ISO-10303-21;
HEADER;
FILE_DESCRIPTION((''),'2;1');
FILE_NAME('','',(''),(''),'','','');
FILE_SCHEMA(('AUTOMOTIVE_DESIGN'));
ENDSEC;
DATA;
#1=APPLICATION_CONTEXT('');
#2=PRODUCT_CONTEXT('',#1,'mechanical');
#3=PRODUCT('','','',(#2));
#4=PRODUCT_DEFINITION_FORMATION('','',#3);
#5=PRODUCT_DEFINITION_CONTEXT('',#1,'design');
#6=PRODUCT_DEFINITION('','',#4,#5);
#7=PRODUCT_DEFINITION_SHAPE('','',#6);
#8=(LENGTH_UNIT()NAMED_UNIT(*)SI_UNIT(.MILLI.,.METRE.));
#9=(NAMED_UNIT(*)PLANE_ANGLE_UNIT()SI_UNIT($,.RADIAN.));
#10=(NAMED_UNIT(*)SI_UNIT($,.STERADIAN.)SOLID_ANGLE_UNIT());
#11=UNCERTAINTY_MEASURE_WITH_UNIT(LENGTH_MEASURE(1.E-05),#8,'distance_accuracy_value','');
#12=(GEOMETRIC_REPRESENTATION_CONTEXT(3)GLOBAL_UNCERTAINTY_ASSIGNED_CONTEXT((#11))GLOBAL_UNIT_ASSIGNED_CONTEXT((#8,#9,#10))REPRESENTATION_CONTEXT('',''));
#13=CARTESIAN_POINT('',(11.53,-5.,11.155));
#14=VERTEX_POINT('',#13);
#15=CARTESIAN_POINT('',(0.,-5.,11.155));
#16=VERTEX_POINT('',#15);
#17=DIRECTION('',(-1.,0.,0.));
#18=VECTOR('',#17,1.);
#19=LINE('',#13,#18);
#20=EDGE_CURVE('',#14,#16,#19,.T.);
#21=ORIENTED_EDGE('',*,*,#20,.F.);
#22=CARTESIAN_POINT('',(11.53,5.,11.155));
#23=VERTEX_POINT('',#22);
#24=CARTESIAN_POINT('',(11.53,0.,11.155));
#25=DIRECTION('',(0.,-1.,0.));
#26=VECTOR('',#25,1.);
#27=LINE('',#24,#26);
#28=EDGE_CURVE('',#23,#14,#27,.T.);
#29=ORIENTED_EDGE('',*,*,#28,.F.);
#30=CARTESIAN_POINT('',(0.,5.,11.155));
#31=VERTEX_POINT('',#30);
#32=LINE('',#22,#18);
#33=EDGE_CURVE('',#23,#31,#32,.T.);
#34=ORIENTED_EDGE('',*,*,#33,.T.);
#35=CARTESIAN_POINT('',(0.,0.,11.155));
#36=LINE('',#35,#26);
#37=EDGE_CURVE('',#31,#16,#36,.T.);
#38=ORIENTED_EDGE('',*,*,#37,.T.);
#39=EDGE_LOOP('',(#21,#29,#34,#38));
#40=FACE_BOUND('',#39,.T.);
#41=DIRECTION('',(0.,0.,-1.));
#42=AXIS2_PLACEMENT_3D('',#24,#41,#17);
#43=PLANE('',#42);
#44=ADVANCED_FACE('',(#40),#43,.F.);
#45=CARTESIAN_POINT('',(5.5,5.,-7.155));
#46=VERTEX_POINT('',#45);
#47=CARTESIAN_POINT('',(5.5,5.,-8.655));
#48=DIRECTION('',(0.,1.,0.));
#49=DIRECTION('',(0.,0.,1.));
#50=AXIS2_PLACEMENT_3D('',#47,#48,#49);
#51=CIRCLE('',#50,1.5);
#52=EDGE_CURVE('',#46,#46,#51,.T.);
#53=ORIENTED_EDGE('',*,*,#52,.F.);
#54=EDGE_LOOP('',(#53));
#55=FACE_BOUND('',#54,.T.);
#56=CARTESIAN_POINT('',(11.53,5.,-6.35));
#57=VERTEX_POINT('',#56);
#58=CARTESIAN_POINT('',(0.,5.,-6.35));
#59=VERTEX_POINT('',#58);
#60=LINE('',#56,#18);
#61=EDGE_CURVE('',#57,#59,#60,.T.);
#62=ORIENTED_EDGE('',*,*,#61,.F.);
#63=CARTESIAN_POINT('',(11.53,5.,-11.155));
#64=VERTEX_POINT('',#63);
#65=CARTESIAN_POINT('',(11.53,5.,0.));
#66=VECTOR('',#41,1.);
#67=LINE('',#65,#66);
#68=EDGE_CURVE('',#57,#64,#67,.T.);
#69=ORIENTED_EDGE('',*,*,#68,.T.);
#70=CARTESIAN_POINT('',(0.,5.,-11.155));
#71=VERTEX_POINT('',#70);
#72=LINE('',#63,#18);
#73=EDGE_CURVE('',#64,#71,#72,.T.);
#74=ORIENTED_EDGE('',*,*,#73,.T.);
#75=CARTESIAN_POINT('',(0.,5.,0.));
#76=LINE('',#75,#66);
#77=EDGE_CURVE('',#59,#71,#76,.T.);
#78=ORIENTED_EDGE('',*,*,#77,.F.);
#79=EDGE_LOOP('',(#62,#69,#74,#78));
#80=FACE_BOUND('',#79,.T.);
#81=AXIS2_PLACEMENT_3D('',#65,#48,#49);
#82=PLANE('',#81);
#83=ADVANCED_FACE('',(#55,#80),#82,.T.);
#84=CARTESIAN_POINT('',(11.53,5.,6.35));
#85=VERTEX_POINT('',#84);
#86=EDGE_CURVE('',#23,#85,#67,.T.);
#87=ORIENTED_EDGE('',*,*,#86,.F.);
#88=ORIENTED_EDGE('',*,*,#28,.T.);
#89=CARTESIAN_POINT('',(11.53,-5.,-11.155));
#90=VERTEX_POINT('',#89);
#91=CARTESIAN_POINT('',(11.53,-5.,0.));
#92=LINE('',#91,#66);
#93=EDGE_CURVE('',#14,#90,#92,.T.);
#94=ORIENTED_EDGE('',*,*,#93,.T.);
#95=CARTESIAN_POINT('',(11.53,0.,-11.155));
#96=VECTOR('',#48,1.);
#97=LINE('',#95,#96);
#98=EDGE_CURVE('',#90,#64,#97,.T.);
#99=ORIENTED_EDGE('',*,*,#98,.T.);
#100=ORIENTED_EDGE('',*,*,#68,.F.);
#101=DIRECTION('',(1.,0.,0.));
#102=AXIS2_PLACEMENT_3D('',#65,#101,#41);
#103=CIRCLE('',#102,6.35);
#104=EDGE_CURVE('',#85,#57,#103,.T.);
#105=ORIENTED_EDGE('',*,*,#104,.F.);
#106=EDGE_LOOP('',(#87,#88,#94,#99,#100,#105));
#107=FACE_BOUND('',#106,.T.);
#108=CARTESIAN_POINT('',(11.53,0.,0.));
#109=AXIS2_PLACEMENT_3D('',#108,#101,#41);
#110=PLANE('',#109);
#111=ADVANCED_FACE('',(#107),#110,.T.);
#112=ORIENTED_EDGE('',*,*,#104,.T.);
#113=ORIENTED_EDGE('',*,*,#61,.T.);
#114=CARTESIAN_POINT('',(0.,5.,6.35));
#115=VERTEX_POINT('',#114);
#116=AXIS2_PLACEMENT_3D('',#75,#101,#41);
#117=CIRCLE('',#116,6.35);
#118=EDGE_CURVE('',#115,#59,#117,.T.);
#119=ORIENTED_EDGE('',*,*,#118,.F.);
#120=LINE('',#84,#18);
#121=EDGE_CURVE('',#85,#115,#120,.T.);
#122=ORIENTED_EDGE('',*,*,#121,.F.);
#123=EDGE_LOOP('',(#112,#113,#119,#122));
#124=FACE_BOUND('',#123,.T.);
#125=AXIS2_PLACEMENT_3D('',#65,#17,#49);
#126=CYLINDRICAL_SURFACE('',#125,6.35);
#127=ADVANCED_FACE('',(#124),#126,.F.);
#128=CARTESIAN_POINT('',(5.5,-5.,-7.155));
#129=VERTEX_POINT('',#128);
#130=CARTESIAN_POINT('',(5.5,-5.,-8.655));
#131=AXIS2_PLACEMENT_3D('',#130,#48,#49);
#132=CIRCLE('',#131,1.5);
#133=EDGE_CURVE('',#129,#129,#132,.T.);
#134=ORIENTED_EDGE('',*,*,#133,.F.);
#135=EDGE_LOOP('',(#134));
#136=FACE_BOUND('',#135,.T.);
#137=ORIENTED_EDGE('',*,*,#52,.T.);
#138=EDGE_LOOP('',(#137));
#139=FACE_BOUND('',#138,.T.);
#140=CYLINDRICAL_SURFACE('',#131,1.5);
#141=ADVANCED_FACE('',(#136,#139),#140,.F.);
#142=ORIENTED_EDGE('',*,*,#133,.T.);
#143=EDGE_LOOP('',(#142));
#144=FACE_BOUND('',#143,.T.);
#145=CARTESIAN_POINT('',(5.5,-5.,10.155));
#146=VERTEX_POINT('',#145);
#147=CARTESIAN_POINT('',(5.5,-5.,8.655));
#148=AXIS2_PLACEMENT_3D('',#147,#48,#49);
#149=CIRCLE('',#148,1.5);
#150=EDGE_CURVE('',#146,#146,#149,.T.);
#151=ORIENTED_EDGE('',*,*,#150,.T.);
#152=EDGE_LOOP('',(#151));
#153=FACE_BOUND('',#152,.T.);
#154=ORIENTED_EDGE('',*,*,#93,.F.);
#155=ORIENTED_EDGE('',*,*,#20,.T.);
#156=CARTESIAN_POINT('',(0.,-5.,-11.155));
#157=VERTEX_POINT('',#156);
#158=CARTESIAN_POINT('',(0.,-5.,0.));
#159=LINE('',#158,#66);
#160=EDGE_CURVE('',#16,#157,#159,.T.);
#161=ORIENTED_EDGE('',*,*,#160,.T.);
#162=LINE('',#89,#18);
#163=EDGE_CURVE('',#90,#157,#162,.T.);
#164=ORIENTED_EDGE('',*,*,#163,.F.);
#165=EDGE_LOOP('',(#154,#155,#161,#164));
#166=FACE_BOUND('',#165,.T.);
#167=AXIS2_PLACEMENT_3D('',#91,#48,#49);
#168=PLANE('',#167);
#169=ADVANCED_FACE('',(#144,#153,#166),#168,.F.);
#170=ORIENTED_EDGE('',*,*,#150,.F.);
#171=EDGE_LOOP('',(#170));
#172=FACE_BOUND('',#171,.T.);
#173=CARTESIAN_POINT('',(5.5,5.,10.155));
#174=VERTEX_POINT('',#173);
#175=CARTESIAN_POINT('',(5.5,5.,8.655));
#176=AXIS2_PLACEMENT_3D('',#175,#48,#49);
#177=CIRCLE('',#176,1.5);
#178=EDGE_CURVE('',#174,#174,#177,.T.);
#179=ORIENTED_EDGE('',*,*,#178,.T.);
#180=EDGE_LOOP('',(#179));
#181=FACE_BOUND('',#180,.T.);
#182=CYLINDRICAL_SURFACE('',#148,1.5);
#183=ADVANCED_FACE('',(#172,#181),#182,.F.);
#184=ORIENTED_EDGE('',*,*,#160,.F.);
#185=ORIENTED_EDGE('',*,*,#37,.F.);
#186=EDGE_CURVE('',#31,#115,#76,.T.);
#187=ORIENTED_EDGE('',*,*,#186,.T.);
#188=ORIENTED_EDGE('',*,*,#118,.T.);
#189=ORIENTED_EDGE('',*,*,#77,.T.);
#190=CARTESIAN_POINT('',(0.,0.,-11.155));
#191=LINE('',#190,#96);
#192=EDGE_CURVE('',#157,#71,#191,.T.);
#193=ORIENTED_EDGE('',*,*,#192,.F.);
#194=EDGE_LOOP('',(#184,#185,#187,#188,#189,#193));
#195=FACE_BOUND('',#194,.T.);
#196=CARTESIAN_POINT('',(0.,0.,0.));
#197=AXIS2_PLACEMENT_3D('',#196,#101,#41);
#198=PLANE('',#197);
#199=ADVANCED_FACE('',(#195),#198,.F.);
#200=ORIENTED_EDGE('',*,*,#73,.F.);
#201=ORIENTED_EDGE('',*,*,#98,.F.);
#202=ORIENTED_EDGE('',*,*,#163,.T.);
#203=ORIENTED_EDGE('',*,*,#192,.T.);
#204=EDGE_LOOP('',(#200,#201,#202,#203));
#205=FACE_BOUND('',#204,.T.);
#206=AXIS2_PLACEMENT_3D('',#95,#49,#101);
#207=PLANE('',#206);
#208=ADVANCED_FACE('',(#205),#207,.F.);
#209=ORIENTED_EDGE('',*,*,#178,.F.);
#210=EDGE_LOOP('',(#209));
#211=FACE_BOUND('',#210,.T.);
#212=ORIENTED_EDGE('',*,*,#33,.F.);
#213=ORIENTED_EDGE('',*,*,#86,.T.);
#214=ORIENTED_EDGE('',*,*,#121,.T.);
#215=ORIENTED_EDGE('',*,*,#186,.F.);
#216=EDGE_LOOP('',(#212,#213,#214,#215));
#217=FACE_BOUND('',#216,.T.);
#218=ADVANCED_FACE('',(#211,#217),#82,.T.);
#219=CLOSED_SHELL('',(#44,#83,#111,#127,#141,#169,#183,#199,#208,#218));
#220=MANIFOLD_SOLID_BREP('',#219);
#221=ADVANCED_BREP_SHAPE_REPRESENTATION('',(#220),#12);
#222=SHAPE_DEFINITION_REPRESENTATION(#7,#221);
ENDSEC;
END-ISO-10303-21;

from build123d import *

# Parameters (mm, degrees)
BOSS_EXTRUDE1_DEPTH = 11.53
SKETCH2_R           = 1.5
CUT_EXTRUDE1_DEPTH  = 10


with BuildPart() as part:
    # Sketch1 → Boss-Extrude1 (new body)
    with BuildSketch(Plane(origin=(0, 0, 0), x_dir=(0, 0, -1), z_dir=(1, 0, 0))):
        with BuildLine():
            Line((-6.35, 5), (-11.155, 5))
            Line((-11.155, 5), (-11.155, -5))
            Line((-11.155, -5), (-6.155, -5))
            Line((-6.155, -5), (6.155, -5))
            Line((6.155, -5), (11.155, -5))
            Line((11.155, -5), (11.155, 5))
            Line((11.155, 5), (6.35, 5))
            ThreePointArc((6.35, 5), (0, -1.35), (-6.35, 5))
        make_face()
    extrude(amount=BOSS_EXTRUDE1_DEPTH)

    # Sketch2 → Cut-Extrude1 (cut)
    with BuildSketch(Plane(origin=(0, 5, 0), x_dir=(1, 0, 0), z_dir=(0, 1, 0))):
        with Locations((5.5, -8.655)):
            Circle(SKETCH2_R)
        with Locations((5.5, 8.655)):
            Circle(SKETCH2_R)
    extrude(amount=-CUT_EXTRUDE1_DEPTH, mode=Mode.SUBTRACT)


solid = part.part
